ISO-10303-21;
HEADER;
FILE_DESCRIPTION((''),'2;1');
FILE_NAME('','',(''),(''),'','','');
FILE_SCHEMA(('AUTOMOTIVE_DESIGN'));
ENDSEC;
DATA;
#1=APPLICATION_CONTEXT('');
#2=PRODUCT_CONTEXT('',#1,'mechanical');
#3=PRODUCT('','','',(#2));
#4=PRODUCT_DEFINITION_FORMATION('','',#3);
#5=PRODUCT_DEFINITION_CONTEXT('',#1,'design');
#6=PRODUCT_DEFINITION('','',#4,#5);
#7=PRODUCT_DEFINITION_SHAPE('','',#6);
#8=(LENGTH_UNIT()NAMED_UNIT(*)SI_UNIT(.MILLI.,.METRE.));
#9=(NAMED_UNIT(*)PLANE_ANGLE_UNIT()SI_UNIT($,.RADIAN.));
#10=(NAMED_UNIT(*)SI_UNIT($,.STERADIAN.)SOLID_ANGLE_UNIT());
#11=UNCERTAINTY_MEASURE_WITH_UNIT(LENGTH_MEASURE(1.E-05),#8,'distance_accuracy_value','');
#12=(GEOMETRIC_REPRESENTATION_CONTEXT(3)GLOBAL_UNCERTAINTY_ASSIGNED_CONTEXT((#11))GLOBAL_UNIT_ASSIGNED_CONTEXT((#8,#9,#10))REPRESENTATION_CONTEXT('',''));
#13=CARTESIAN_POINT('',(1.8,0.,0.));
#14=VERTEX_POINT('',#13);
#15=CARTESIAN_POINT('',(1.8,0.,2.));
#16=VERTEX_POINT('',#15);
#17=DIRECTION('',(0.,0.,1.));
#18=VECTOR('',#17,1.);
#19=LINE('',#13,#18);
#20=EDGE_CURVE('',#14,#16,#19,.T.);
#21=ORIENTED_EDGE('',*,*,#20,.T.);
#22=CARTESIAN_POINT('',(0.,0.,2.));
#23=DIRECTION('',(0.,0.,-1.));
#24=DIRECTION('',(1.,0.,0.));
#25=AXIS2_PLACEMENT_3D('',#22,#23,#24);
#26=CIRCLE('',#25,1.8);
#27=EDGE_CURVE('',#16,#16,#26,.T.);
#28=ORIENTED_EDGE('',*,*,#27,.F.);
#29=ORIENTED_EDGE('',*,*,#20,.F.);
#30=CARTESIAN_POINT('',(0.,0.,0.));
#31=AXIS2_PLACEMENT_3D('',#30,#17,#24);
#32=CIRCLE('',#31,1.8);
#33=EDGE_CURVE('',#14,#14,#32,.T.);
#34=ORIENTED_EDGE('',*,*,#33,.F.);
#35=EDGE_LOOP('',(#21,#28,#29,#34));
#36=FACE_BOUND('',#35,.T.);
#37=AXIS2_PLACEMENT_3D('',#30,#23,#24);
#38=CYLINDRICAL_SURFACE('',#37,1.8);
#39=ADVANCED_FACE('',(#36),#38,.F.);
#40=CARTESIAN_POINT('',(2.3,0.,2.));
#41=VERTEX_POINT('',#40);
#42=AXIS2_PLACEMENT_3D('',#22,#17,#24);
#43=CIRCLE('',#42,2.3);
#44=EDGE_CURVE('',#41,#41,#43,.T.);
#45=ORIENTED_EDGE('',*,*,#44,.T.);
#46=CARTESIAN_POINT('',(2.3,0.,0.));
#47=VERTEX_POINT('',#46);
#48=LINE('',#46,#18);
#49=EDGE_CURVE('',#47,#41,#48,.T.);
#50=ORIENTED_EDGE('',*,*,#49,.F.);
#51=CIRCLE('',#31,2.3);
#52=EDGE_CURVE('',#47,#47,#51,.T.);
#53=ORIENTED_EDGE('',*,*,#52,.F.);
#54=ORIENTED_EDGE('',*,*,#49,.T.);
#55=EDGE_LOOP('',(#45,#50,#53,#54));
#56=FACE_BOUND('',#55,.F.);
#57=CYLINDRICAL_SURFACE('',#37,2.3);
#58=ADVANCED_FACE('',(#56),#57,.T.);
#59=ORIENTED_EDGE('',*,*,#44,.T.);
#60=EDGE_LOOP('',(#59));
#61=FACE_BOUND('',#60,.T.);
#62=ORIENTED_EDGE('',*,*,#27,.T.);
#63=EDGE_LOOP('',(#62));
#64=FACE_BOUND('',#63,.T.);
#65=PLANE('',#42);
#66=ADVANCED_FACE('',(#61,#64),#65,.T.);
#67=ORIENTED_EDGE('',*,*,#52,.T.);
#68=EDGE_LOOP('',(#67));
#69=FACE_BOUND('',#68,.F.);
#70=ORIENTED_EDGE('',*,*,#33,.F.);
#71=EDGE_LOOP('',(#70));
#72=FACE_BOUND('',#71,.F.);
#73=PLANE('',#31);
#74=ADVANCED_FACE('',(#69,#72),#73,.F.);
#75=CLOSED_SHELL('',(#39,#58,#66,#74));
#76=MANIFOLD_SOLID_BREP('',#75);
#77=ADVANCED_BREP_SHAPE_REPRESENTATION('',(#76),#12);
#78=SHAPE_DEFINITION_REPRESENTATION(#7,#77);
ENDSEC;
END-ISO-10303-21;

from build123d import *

# Parameters (mm, degrees)
CYLINDER012_R     = 1.8
CYLINDER012_DEPTH = 7
CYLINDER013_R     = 2.3
CYLINDER013_DEPTH = 2


with BuildPart() as cylinder:
    # Cylinder012 → Cylinder012 (new body)
    with BuildSketch(Plane.XY):
        Circle(CYLINDER012_R)
    extrude(amount=CYLINDER012_DEPTH)


with BuildPart() as m2_stand_cut:
    # Cylinder013 → Cylinder013 (new body)
    with BuildSketch(Plane.XY):
        Circle(CYLINDER013_R)
    extrude(amount=CYLINDER013_DEPTH)

    # Cut009: cut Cylinder
    add(cylinder.part, mode=Mode.SUBTRACT)


solid = m2_stand_cut.part
